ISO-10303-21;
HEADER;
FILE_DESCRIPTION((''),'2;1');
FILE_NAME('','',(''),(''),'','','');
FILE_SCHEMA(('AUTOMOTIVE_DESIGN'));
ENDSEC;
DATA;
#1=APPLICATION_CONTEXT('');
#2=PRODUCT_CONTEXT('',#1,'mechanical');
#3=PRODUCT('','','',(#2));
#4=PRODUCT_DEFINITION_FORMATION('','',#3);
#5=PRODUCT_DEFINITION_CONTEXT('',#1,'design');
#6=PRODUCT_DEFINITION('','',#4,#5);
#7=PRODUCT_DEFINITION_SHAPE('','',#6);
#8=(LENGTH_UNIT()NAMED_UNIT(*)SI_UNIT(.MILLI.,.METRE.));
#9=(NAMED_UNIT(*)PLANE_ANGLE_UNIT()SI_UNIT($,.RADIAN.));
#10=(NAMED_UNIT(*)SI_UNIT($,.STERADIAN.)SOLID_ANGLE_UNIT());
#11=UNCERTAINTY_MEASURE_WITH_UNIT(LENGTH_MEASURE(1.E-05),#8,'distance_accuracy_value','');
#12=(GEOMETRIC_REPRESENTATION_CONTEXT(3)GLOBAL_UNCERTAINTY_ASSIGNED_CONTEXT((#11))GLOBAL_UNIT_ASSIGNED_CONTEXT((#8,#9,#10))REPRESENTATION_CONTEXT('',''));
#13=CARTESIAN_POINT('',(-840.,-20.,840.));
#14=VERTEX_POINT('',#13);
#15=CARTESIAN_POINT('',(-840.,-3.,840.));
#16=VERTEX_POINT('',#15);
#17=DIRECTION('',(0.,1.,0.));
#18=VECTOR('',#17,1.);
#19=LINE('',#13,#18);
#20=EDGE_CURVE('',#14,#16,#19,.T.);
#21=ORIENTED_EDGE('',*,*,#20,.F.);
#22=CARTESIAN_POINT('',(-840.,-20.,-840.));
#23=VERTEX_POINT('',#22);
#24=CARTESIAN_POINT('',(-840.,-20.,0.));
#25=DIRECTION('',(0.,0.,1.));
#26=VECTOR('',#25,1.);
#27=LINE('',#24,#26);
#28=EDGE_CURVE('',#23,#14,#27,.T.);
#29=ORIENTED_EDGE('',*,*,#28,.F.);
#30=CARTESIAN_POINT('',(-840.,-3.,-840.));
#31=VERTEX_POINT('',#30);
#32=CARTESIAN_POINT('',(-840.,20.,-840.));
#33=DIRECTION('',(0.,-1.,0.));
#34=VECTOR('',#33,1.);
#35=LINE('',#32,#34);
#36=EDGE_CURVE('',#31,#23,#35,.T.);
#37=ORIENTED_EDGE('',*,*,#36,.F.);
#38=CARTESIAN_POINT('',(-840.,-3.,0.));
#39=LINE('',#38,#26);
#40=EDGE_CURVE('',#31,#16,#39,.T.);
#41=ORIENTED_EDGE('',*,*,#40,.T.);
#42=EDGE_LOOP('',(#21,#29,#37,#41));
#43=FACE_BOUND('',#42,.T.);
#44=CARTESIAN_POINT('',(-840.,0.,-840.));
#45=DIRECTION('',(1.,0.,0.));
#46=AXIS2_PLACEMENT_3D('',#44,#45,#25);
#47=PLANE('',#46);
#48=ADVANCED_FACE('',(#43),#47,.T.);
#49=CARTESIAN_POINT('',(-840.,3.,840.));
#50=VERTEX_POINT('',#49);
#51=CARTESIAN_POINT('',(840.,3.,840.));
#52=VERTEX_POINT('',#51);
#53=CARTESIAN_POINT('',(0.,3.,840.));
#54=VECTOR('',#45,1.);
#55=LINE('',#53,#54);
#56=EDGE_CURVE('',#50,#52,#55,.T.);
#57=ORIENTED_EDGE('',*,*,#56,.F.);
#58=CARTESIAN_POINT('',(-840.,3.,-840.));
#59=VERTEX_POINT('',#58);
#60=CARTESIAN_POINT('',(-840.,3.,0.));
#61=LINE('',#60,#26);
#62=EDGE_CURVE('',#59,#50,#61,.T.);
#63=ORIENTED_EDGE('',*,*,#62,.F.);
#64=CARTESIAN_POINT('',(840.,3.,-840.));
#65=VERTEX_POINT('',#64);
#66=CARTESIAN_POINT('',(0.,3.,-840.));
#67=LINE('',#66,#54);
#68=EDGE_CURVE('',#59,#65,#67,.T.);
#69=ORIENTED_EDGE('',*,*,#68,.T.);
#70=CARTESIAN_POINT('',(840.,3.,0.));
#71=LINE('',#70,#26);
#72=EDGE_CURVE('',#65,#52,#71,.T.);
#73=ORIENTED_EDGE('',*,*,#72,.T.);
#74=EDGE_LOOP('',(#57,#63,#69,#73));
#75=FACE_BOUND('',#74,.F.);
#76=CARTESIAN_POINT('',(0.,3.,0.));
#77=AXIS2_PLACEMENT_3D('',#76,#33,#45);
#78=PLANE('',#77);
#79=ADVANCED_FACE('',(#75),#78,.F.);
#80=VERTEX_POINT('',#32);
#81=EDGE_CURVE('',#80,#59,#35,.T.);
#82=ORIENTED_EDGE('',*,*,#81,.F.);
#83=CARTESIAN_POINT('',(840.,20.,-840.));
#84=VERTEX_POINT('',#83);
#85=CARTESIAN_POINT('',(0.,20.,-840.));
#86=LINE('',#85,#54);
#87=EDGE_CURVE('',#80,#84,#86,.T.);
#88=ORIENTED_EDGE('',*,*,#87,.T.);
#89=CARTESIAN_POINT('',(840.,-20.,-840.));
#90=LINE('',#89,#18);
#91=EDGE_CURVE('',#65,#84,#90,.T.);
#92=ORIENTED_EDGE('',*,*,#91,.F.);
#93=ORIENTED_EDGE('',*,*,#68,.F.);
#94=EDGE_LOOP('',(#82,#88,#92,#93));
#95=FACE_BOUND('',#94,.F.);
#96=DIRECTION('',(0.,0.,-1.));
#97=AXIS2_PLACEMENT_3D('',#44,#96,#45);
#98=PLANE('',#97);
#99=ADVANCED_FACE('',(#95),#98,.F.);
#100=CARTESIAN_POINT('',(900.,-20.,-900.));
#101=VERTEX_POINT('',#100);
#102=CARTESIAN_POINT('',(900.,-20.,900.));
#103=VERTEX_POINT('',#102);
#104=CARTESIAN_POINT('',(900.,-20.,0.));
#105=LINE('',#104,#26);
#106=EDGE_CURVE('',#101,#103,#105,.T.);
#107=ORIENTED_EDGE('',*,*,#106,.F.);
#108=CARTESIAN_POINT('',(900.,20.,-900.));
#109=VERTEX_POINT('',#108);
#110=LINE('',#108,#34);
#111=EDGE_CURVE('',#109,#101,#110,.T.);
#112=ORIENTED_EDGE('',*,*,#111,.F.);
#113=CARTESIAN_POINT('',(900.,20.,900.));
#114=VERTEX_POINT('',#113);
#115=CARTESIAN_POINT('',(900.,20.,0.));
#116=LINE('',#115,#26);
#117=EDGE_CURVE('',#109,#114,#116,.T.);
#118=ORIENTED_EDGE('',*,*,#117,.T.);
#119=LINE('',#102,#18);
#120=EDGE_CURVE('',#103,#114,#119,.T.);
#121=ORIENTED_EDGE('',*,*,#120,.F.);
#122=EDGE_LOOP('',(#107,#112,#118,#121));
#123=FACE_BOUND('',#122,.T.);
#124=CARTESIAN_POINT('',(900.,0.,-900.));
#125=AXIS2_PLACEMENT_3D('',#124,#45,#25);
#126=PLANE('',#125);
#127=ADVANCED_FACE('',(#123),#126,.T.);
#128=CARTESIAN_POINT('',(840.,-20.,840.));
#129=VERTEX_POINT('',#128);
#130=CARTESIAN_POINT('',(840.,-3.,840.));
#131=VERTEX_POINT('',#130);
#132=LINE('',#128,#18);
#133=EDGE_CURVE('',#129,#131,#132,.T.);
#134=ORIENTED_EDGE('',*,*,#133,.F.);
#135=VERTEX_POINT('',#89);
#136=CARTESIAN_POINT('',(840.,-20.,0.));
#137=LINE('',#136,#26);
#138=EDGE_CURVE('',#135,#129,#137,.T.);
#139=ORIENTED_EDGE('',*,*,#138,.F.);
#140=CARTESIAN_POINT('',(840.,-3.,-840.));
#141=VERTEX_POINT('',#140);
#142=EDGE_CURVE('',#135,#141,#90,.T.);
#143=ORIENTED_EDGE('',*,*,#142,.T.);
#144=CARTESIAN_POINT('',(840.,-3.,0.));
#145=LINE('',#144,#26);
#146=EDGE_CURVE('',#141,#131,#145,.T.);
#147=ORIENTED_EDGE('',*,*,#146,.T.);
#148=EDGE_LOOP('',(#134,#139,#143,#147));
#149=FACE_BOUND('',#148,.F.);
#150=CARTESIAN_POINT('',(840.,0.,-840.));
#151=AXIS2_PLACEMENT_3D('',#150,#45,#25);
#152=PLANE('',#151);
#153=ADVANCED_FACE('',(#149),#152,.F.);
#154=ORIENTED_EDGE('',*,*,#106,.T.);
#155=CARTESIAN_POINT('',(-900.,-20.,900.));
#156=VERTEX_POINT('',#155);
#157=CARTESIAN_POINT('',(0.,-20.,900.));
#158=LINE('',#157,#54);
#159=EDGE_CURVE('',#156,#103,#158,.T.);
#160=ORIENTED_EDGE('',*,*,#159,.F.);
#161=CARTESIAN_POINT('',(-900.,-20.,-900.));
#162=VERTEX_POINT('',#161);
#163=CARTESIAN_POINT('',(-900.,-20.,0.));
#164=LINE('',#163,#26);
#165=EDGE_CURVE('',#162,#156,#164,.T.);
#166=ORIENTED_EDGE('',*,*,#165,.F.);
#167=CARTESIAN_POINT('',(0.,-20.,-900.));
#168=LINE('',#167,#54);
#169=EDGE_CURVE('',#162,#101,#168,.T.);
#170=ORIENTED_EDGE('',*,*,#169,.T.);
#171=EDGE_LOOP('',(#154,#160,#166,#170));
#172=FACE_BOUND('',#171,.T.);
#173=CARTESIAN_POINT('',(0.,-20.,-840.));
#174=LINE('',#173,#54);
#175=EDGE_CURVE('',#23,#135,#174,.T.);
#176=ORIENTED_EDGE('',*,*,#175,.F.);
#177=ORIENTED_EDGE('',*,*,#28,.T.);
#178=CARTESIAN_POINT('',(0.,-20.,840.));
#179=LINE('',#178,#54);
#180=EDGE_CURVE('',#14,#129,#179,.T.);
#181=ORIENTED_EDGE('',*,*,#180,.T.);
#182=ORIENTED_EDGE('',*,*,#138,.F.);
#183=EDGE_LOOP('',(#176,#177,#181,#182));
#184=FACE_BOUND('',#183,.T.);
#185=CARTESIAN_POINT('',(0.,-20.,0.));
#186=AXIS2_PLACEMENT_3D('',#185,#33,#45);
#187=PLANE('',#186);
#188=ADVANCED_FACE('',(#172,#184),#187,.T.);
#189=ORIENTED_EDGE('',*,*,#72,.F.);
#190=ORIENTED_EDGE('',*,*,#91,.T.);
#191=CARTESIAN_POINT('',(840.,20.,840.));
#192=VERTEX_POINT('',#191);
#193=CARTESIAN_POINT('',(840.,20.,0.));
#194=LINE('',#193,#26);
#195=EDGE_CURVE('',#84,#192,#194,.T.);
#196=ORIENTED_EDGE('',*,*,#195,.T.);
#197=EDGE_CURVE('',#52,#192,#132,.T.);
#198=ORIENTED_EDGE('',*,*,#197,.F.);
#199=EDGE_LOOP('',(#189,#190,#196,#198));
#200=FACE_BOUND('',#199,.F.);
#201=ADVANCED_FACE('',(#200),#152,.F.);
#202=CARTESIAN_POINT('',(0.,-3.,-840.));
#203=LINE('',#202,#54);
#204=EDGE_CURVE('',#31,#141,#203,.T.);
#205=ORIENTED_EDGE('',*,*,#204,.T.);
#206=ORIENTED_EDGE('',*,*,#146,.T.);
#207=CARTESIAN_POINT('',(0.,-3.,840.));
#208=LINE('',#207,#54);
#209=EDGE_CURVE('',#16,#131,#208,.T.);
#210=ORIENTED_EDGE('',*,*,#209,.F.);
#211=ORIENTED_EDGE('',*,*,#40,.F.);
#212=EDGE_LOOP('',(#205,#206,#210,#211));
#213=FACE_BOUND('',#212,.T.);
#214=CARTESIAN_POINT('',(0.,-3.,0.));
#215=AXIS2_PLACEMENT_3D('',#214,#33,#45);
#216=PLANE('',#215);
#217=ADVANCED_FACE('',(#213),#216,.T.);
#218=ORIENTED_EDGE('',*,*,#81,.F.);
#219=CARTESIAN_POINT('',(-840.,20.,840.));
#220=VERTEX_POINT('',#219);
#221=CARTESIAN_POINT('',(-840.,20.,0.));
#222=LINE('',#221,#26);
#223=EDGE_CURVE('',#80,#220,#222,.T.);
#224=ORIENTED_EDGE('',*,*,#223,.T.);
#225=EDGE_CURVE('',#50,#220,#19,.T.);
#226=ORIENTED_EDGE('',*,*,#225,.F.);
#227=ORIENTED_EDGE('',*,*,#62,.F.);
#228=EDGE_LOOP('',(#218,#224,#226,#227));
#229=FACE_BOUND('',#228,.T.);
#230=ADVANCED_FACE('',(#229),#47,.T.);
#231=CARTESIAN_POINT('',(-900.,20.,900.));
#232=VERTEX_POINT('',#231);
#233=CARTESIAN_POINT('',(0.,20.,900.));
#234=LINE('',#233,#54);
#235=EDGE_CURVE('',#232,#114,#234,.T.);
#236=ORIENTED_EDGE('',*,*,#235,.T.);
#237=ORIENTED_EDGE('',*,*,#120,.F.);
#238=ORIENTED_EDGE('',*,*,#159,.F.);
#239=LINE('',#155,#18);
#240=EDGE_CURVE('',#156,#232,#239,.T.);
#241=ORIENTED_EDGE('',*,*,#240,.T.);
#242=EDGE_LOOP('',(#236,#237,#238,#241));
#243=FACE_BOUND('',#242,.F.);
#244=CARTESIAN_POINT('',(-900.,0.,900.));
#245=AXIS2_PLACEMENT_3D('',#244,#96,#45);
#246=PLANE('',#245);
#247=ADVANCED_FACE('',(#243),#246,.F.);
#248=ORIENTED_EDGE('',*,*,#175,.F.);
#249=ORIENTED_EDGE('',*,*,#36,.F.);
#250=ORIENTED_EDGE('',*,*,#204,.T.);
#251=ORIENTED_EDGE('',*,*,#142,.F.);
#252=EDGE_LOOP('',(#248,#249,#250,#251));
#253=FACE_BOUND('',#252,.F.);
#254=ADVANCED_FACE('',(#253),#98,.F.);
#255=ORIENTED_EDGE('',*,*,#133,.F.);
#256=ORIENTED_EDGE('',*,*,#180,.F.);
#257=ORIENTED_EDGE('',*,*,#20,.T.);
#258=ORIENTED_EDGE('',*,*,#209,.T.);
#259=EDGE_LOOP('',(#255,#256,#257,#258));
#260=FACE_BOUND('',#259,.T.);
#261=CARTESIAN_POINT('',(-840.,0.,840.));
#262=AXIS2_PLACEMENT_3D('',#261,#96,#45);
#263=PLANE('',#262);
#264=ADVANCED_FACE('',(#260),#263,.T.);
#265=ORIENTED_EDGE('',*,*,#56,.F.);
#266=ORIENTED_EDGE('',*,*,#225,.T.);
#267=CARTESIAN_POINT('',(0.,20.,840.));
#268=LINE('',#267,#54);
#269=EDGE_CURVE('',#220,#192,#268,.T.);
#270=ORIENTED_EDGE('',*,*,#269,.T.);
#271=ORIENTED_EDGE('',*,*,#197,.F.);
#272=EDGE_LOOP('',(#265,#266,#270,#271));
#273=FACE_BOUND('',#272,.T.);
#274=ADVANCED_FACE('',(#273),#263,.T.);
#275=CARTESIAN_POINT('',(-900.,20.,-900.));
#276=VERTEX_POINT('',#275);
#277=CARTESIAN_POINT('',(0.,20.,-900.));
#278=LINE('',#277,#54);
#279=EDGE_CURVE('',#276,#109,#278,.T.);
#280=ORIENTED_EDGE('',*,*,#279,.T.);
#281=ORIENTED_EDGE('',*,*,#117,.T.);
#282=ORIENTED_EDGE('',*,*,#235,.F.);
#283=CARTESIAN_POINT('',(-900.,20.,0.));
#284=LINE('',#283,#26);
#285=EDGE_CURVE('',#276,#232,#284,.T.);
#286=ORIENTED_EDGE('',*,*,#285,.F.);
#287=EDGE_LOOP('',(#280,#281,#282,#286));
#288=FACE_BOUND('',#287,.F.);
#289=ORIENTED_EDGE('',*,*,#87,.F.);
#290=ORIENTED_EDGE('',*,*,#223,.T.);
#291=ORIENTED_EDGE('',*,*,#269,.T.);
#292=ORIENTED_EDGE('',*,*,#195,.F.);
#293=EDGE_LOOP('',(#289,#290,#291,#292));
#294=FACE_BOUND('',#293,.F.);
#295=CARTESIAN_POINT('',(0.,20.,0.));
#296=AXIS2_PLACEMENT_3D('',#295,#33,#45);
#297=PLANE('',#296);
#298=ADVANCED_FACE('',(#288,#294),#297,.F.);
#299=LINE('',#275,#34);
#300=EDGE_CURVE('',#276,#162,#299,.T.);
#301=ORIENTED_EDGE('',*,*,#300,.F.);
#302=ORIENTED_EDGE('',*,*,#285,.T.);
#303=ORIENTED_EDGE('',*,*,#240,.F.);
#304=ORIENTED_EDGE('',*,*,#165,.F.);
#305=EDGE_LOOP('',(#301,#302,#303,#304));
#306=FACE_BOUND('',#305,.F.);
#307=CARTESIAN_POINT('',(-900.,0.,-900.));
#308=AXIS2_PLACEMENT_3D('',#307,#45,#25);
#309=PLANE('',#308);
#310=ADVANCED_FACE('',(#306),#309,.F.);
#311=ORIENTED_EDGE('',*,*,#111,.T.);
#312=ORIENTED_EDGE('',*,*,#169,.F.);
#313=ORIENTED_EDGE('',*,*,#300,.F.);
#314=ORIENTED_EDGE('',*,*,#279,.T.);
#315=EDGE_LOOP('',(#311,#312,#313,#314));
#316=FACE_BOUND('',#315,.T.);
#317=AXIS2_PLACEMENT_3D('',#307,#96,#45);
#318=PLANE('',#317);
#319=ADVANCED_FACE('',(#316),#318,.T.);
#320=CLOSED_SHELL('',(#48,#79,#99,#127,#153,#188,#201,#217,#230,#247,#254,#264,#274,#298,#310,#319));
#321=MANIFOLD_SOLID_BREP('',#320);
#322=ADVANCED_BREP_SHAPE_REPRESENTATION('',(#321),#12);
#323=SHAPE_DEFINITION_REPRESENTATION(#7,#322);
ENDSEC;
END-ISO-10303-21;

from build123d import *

# Parameters (mm, degrees)
F0_W     = 1800
F0_H     = 1800
F0_W_2   = 1680
F0_H_2   = 1680
F1_DEPTH = 20
F2_DEPTH = 3


with BuildPart() as f1:
    # F0 (on Front) → F1 (new body, symmetric)
    with BuildSketch(Plane.XZ):
        Rectangle(F0_W, F0_H)
        Rectangle(F0_W_2, F0_H_2, mode=Mode.SUBTRACT)
    extrude(amount=F1_DEPTH, both=True)

    # F0 (on Front) → F2 (join, symmetric)
    with BuildSketch(Plane.XZ):
        Rectangle(F0_W_2, F0_H_2)
    extrude(amount=F2_DEPTH, both=True)


solid = f1.part
